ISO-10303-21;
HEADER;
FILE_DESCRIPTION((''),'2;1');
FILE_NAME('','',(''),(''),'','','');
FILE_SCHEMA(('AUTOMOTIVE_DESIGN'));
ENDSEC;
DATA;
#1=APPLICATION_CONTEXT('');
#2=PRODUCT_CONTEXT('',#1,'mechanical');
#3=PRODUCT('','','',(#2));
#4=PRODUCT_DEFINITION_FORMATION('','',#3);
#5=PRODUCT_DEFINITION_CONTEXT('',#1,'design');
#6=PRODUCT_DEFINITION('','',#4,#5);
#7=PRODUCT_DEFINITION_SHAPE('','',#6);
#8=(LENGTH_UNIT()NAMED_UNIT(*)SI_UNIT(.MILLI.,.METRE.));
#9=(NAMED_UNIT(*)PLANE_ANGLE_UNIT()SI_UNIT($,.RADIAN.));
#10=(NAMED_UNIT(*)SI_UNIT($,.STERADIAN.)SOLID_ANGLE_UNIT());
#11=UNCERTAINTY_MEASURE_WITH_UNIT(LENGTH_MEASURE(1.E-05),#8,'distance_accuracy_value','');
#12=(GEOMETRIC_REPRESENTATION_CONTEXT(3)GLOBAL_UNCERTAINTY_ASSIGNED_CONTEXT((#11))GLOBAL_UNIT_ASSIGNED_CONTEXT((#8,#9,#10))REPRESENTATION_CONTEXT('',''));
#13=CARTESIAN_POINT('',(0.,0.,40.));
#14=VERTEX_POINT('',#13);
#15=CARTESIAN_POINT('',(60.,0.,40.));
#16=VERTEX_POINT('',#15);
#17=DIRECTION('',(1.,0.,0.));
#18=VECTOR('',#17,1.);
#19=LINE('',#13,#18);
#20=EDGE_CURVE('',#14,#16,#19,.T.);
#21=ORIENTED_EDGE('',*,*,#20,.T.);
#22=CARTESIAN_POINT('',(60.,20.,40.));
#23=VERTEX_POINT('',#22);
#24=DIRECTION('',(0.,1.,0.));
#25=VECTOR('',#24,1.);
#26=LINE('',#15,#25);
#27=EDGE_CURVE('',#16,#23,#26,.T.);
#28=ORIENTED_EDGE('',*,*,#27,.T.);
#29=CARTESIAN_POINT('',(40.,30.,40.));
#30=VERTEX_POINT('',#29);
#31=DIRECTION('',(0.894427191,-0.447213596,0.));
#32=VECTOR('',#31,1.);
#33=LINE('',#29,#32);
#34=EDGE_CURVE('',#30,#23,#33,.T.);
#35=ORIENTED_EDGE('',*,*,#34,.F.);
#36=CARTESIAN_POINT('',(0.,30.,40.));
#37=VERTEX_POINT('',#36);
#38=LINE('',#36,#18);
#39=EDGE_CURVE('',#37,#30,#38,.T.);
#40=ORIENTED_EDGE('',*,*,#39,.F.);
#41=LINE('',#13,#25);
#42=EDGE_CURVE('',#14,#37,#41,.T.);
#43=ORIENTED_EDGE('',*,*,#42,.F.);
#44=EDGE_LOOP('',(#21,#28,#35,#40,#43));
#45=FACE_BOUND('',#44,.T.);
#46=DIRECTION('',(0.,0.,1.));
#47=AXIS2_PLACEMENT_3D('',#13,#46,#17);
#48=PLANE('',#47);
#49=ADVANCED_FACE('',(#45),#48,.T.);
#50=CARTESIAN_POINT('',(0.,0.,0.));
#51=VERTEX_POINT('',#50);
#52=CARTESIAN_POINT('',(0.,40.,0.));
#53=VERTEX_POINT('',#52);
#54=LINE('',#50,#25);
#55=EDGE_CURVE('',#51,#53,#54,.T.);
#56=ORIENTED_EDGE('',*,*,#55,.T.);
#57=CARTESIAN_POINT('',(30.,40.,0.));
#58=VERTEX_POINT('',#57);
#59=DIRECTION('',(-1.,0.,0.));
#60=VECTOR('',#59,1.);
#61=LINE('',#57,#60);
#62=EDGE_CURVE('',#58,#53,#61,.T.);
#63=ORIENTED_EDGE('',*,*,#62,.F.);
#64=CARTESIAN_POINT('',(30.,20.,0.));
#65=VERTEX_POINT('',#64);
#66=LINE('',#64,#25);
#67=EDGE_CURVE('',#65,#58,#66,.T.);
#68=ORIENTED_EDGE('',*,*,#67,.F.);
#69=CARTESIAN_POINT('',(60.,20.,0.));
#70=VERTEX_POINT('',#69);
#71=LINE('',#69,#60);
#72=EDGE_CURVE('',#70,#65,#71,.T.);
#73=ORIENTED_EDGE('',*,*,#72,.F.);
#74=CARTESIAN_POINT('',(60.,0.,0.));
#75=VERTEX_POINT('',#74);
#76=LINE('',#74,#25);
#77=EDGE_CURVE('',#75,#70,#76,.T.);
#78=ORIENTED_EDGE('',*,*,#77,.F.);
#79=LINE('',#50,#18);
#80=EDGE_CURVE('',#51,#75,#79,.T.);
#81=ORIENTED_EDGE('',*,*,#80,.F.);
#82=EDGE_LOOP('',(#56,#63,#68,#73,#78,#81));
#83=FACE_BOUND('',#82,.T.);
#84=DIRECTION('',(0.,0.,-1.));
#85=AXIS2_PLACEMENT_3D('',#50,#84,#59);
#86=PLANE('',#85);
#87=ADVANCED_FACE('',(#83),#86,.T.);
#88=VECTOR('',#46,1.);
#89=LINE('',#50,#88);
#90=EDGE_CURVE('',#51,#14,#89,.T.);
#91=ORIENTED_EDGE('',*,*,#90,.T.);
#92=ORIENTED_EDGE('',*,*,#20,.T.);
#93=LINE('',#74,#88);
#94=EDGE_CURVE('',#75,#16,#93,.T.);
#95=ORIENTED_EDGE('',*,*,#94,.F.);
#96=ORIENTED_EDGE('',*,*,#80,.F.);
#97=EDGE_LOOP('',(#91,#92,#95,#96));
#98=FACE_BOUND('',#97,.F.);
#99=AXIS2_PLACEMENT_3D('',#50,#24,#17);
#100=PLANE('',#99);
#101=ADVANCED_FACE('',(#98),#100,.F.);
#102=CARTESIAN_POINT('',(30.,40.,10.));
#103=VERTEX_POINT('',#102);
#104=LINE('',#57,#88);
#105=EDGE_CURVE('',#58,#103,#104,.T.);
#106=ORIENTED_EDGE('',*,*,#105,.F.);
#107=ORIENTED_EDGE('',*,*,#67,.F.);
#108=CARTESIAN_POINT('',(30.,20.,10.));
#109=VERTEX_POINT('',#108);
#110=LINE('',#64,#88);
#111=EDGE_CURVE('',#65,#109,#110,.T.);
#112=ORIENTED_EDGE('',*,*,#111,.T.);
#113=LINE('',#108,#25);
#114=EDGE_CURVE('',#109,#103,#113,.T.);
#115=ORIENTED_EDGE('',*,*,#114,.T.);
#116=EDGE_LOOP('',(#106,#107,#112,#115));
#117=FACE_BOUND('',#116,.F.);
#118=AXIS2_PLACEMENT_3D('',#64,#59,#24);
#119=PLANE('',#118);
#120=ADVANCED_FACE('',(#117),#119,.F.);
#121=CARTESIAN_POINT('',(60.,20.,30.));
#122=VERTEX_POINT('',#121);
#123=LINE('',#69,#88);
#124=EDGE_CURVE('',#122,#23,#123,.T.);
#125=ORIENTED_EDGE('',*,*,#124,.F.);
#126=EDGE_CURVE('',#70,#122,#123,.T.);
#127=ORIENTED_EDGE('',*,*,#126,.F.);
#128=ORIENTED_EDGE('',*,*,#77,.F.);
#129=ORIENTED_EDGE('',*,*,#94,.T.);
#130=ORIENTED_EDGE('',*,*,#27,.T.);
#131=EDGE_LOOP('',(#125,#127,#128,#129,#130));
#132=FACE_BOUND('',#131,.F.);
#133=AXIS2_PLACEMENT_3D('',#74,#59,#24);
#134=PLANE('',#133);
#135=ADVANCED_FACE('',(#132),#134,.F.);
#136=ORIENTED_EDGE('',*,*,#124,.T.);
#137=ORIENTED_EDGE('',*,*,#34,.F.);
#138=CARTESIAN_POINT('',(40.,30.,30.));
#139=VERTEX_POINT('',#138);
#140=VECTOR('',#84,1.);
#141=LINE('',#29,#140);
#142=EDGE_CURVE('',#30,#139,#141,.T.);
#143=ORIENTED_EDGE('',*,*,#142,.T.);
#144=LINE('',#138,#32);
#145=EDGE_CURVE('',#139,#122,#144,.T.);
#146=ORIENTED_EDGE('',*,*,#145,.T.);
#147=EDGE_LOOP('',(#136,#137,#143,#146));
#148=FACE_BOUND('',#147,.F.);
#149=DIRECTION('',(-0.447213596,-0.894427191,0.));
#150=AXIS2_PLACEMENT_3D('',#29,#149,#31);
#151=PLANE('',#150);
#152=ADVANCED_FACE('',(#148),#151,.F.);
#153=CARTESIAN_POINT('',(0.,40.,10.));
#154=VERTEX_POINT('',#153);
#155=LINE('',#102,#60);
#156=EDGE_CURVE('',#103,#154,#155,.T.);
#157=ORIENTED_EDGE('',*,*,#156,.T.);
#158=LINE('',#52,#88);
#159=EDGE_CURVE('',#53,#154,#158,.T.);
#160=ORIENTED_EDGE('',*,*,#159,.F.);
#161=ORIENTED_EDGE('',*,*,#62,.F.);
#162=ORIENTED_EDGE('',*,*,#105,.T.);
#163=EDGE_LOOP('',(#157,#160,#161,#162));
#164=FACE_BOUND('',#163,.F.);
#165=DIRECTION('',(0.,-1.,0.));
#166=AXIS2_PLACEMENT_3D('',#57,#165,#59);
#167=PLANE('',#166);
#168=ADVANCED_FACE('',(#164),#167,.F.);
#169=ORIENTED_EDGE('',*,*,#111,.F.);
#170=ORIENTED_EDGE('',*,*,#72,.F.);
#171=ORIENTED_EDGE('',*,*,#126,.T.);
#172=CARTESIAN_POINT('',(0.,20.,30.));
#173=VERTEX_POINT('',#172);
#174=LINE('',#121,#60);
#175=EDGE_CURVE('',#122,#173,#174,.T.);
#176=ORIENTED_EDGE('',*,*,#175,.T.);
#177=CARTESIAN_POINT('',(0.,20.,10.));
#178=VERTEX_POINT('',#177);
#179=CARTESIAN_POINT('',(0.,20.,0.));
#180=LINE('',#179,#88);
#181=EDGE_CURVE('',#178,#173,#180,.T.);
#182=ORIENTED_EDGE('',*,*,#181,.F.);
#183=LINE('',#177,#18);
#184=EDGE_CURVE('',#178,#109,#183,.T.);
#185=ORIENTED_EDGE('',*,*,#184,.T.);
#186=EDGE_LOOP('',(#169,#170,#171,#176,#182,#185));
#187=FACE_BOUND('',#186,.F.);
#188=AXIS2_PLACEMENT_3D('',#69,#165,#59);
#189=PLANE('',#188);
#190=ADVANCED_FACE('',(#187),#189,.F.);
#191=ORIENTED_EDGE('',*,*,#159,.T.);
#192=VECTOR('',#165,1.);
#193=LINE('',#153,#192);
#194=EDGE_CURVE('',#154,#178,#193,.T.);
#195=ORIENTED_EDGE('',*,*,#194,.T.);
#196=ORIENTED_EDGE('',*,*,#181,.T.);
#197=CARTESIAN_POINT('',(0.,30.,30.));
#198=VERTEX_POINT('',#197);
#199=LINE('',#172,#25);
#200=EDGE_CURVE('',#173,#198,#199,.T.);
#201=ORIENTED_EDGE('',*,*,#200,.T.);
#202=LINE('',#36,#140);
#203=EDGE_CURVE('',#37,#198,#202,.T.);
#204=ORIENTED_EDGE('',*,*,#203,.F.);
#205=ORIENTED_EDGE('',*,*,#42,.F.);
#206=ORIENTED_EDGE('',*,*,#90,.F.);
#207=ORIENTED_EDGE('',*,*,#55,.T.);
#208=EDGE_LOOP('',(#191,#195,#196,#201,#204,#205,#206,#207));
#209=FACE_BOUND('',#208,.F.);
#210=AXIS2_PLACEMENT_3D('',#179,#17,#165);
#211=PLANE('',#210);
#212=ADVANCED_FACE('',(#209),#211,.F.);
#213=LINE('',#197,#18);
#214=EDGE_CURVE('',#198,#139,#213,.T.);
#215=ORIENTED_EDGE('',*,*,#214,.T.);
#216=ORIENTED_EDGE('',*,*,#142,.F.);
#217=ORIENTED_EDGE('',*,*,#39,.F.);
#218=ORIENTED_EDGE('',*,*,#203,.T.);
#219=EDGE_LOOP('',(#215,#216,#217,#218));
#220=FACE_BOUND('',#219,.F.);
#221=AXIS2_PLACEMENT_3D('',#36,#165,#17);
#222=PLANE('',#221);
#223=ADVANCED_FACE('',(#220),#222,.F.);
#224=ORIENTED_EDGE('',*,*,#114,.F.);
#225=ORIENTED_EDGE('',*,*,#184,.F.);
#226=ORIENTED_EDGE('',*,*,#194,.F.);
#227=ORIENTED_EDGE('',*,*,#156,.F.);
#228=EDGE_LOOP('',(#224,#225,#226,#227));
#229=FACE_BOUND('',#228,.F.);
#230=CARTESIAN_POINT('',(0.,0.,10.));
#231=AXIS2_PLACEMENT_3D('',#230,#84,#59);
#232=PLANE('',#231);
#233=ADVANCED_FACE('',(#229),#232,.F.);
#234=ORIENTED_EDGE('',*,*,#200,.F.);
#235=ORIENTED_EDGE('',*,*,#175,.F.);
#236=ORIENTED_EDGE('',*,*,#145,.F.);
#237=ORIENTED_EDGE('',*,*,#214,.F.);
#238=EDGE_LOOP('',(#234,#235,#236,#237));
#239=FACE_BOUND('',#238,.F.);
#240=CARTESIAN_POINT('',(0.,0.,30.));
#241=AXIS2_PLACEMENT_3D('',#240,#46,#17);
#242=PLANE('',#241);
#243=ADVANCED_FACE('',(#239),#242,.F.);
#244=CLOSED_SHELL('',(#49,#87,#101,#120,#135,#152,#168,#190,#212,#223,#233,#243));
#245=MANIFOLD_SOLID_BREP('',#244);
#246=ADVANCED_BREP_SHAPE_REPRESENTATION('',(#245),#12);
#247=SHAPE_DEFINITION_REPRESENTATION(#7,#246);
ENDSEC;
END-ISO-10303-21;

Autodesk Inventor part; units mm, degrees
ref_plane "YZ Plane" through (0, 0, 0) normal (1, 0, 0) x (0, 1, 0)
ref_plane "XZ Plane" through (0, 0, 0) normal (0, 1, 0) x (-1, 0, 0)
ref_plane "XY Plane" through (0, 0, 0) normal (0, 0, 1) x (1, 0, 0)
sketch "草圖1" plane through (0, 0, 0) normal (0, 0, 1) x (1, 0, 0)
  line L0 (0, 0) -> (60, 0)
  line L1 (60, 0) -> (60, 20)
  line L2 (60, 20) -> (0, 20)
  line L3 (0, 20) -> (0, 0)
  dimension "d0" = 60
  dimension "d1" = 20
extrude "擠出1" add sketch "草圖1" along normal blind 40
sketch "草圖2" plane through (0, 0, 40) normal (0, 0, 1) x (1, 0, 0)
  line L0 (60, 20) -> (0, 20) projected
  line L1 (0, 20) -> (0, 30)
  line L2 (0, 30) -> (40, 30)
  line L3 (60, 0) -> (60, 20) projected
  line L4 (40, 30) -> (60, 20)
  line L5 (60, 20) -> (0, 20)
  point P0 (0, 0)
  dimension "d4" = 10
  dimension "d5" = 20
extrude "擠出2" add sketch "草圖2" against normal blind 10
sketch "草圖3" plane through (0, 0, 0) normal (0, 0, -1) x (-1, 0, 0)
  line L0 (0, 20) -> (-30, 20)
  line L1 (-30, 20) -> (-30, 40)
  line L2 (-30, 40) -> (0, 40)
  line L3 (0, 40) -> (0, 20)
  line L4 (-60, 20) -> (0, 20) projected
  line L5 (0, 20) -> (0, 0) projected
  dimension "d8" = 0
  dimension "d9" = 20
  dimension "d10" = 30
  dimension "d11" = 0
extrude "擠出3" add sketch "草圖3" against normal blind 10
properties part number "42 (59000.000 mm^3)"
